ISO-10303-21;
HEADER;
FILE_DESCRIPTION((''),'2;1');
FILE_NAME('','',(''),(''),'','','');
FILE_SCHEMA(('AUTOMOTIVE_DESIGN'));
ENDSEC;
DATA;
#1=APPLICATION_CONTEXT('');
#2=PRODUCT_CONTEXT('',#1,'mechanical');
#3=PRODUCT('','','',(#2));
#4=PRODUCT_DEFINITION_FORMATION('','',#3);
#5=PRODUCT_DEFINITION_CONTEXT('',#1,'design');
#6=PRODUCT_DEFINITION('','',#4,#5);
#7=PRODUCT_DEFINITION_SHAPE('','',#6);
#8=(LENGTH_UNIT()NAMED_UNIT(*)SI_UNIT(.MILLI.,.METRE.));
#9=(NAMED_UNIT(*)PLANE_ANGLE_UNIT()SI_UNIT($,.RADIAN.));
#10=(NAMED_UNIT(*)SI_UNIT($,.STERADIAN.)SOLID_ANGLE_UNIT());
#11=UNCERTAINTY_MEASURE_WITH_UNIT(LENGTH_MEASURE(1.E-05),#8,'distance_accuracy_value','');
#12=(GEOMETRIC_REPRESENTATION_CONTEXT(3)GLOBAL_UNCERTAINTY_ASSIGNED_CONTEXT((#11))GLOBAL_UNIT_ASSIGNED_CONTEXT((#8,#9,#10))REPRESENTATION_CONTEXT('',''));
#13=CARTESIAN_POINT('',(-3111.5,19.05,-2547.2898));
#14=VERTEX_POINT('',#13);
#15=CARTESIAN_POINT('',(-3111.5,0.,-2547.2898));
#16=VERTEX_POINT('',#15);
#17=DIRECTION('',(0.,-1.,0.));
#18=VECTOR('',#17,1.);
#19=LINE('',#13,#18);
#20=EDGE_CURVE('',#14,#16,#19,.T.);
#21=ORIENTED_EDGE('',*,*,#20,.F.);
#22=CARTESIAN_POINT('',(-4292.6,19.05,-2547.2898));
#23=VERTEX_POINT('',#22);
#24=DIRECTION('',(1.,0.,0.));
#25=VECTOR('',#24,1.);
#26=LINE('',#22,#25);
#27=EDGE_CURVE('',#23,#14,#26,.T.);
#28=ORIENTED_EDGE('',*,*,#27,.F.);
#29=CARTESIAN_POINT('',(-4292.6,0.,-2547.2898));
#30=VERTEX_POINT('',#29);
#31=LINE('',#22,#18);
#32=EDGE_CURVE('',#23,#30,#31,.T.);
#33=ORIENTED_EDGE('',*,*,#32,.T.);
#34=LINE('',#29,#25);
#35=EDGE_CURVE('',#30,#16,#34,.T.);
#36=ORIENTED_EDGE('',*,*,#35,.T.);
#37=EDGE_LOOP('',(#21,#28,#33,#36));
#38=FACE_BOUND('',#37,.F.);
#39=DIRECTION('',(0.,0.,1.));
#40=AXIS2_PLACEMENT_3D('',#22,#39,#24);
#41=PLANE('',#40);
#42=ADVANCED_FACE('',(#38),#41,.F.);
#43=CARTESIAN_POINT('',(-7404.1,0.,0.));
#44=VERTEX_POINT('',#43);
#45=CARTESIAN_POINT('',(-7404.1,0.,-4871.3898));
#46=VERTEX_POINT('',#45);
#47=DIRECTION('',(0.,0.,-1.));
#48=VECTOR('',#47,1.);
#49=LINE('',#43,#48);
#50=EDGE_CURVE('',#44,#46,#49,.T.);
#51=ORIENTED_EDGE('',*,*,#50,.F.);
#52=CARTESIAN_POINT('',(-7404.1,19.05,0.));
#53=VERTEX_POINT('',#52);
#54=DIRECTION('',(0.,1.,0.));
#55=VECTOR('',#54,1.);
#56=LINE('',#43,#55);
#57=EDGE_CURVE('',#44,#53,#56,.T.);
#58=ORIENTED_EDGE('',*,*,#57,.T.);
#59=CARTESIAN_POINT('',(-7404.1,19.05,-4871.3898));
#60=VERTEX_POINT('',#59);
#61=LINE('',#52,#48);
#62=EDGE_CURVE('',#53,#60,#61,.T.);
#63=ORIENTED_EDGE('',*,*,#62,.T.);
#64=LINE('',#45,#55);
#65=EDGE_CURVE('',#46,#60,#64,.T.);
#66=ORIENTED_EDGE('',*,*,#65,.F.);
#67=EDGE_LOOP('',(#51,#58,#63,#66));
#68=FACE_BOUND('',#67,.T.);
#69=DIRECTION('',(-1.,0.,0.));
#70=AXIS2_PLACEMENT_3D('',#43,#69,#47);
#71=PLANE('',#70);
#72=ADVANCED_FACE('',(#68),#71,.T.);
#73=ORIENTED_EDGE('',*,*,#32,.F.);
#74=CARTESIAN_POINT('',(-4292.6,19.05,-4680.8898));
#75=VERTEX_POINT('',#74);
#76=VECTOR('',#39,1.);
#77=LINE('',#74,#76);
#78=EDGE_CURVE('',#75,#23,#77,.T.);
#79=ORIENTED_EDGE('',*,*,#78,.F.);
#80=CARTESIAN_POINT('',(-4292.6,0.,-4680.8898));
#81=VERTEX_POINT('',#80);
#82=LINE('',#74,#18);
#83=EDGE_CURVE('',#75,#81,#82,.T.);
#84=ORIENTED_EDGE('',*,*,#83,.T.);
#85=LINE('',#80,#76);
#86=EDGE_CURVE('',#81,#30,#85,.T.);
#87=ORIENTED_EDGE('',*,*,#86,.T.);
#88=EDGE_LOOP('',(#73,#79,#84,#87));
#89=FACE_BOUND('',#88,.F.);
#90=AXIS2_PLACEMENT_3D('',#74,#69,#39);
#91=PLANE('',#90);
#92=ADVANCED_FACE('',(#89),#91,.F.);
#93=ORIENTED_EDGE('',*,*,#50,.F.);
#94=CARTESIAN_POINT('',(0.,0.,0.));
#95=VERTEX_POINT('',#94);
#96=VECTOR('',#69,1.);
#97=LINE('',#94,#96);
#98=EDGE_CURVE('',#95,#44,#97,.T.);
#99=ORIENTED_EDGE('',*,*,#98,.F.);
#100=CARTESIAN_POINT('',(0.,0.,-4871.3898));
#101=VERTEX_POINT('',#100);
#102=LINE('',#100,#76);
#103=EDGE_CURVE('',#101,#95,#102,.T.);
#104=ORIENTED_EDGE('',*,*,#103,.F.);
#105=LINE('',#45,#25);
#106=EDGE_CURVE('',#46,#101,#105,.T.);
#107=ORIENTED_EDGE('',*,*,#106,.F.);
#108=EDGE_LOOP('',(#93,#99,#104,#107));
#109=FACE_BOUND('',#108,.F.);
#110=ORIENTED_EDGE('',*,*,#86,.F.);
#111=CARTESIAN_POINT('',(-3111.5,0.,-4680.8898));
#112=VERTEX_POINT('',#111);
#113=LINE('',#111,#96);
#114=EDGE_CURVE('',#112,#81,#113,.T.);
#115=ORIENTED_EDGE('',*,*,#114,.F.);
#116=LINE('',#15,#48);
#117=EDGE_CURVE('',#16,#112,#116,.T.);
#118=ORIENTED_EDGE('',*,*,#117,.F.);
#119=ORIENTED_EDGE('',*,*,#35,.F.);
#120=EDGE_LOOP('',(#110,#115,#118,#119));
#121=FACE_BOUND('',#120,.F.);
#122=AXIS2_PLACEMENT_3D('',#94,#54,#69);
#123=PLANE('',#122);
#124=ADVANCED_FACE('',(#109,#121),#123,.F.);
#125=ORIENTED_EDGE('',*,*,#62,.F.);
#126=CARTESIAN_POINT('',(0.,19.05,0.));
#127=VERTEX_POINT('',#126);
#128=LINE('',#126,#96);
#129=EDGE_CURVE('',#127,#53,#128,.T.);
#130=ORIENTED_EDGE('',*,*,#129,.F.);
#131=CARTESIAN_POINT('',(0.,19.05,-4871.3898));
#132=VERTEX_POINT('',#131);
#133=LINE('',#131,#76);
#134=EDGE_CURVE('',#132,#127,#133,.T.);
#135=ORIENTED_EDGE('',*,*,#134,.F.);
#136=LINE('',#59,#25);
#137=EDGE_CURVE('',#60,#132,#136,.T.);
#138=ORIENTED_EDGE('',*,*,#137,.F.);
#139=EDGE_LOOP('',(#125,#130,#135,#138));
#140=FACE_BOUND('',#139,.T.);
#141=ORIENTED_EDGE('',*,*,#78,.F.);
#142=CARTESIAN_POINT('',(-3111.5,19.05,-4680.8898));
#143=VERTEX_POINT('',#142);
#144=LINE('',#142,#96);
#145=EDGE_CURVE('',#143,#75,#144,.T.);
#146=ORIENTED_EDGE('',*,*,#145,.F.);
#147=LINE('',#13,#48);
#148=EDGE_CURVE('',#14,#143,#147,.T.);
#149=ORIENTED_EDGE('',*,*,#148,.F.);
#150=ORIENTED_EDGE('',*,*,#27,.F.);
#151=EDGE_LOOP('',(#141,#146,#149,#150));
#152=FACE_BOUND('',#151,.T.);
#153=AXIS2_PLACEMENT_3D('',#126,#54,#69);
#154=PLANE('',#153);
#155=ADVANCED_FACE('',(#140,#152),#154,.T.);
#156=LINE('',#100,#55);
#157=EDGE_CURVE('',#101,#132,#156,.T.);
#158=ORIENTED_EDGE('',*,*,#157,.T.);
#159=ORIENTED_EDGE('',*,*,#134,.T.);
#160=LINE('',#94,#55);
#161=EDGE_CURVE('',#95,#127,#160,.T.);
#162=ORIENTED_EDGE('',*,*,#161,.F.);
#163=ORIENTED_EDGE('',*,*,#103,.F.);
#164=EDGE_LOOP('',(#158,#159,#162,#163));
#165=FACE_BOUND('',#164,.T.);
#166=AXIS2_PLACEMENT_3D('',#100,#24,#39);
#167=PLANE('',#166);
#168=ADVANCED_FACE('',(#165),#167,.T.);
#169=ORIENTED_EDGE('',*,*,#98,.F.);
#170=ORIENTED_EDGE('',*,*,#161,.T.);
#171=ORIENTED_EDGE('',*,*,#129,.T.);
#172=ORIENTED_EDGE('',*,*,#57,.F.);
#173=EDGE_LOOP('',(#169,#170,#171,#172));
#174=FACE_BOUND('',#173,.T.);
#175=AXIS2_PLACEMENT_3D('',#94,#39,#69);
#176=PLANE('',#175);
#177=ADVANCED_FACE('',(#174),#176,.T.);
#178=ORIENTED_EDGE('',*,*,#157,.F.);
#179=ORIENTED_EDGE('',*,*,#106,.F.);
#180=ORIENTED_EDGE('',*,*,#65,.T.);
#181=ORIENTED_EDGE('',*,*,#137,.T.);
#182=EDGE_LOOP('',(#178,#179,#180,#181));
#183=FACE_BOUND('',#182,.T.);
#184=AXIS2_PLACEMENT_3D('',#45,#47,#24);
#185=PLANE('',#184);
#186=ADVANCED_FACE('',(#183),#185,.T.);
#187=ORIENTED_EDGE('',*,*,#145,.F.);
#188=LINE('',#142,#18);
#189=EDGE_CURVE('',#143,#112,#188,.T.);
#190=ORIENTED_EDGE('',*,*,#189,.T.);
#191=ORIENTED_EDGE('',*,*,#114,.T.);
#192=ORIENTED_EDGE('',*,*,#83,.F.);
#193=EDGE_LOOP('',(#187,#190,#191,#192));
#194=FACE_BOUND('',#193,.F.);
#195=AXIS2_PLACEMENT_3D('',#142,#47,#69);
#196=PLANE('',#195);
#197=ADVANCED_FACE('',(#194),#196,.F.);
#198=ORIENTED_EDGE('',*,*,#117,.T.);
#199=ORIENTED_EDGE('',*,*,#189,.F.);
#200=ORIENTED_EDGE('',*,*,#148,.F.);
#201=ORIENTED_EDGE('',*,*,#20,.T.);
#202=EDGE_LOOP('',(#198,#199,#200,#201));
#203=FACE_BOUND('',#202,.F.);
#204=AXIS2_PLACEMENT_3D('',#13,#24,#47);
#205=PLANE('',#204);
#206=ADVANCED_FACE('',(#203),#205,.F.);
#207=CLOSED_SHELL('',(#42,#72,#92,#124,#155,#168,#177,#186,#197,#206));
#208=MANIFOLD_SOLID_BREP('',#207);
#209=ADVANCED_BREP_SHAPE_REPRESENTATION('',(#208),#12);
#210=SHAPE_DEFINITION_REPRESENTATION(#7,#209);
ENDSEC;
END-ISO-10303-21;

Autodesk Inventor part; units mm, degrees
ref_plane "YZ Plane" through (0, 0, 0) normal (1, 0, 0) x (0, 1, 0)
ref_plane "XZ Plane" through (0, 0, 0) normal (0, 1, 0) x (-1, 0, 0)
ref_plane "XY Plane" through (0, 0, 0) normal (0, 0, 1) x (1, 0, 0)
sketch "Sketch1" plane through (0, 0, 0) normal (0, 1, 0) x (-1, 0, 0)
  line L0 (0, 0) -> (7404.1, 0)
  line L1 (7404.1, 0) -> (7404.1, -4871.3898)
  line L2 (7404.1, -4871.3898) -> (0, -4871.3898)
  line L3 (0, -4871.3898) -> (0, 0)
  dimension "d2" = 4871.3898
  dimension "d3" = 7404.1
extrude "Extrusion1" add sketch "Sketch1" along normal blind 19.05
sketch "Sketch2" plane through (0, 19.05, 0) normal (0, 1, 0) x (1, 0, 0)
  line L0 (-3111.5, 4680.8898) -> (-4292.6, 4680.8898)
  line L1 (-4292.6, 4680.8898) -> (-4292.6, 2547.2898)
  line L2 (-4292.6, 2547.2898) -> (-3111.5, 2547.2898)
  line L3 (-3111.5, 2547.2898) -> (-3111.5, 4680.8898)
  line L4 (0, 0) -> (0, 4871.3898) projected
  line L5 (0, 4871.3898) -> (-7404.1, 4871.3898) projected
  dimension "d6" = 3111.5
  dimension "d7" = 190.5
  dimension "d8" = 1181.1
  dimension "d9" = 2133.6
extrude "Extrusion2" cut sketch "Sketch2" against normal up to surface (19.05 mm away)
properties part number "Flooring" material "Wood (Southern Pine)"
